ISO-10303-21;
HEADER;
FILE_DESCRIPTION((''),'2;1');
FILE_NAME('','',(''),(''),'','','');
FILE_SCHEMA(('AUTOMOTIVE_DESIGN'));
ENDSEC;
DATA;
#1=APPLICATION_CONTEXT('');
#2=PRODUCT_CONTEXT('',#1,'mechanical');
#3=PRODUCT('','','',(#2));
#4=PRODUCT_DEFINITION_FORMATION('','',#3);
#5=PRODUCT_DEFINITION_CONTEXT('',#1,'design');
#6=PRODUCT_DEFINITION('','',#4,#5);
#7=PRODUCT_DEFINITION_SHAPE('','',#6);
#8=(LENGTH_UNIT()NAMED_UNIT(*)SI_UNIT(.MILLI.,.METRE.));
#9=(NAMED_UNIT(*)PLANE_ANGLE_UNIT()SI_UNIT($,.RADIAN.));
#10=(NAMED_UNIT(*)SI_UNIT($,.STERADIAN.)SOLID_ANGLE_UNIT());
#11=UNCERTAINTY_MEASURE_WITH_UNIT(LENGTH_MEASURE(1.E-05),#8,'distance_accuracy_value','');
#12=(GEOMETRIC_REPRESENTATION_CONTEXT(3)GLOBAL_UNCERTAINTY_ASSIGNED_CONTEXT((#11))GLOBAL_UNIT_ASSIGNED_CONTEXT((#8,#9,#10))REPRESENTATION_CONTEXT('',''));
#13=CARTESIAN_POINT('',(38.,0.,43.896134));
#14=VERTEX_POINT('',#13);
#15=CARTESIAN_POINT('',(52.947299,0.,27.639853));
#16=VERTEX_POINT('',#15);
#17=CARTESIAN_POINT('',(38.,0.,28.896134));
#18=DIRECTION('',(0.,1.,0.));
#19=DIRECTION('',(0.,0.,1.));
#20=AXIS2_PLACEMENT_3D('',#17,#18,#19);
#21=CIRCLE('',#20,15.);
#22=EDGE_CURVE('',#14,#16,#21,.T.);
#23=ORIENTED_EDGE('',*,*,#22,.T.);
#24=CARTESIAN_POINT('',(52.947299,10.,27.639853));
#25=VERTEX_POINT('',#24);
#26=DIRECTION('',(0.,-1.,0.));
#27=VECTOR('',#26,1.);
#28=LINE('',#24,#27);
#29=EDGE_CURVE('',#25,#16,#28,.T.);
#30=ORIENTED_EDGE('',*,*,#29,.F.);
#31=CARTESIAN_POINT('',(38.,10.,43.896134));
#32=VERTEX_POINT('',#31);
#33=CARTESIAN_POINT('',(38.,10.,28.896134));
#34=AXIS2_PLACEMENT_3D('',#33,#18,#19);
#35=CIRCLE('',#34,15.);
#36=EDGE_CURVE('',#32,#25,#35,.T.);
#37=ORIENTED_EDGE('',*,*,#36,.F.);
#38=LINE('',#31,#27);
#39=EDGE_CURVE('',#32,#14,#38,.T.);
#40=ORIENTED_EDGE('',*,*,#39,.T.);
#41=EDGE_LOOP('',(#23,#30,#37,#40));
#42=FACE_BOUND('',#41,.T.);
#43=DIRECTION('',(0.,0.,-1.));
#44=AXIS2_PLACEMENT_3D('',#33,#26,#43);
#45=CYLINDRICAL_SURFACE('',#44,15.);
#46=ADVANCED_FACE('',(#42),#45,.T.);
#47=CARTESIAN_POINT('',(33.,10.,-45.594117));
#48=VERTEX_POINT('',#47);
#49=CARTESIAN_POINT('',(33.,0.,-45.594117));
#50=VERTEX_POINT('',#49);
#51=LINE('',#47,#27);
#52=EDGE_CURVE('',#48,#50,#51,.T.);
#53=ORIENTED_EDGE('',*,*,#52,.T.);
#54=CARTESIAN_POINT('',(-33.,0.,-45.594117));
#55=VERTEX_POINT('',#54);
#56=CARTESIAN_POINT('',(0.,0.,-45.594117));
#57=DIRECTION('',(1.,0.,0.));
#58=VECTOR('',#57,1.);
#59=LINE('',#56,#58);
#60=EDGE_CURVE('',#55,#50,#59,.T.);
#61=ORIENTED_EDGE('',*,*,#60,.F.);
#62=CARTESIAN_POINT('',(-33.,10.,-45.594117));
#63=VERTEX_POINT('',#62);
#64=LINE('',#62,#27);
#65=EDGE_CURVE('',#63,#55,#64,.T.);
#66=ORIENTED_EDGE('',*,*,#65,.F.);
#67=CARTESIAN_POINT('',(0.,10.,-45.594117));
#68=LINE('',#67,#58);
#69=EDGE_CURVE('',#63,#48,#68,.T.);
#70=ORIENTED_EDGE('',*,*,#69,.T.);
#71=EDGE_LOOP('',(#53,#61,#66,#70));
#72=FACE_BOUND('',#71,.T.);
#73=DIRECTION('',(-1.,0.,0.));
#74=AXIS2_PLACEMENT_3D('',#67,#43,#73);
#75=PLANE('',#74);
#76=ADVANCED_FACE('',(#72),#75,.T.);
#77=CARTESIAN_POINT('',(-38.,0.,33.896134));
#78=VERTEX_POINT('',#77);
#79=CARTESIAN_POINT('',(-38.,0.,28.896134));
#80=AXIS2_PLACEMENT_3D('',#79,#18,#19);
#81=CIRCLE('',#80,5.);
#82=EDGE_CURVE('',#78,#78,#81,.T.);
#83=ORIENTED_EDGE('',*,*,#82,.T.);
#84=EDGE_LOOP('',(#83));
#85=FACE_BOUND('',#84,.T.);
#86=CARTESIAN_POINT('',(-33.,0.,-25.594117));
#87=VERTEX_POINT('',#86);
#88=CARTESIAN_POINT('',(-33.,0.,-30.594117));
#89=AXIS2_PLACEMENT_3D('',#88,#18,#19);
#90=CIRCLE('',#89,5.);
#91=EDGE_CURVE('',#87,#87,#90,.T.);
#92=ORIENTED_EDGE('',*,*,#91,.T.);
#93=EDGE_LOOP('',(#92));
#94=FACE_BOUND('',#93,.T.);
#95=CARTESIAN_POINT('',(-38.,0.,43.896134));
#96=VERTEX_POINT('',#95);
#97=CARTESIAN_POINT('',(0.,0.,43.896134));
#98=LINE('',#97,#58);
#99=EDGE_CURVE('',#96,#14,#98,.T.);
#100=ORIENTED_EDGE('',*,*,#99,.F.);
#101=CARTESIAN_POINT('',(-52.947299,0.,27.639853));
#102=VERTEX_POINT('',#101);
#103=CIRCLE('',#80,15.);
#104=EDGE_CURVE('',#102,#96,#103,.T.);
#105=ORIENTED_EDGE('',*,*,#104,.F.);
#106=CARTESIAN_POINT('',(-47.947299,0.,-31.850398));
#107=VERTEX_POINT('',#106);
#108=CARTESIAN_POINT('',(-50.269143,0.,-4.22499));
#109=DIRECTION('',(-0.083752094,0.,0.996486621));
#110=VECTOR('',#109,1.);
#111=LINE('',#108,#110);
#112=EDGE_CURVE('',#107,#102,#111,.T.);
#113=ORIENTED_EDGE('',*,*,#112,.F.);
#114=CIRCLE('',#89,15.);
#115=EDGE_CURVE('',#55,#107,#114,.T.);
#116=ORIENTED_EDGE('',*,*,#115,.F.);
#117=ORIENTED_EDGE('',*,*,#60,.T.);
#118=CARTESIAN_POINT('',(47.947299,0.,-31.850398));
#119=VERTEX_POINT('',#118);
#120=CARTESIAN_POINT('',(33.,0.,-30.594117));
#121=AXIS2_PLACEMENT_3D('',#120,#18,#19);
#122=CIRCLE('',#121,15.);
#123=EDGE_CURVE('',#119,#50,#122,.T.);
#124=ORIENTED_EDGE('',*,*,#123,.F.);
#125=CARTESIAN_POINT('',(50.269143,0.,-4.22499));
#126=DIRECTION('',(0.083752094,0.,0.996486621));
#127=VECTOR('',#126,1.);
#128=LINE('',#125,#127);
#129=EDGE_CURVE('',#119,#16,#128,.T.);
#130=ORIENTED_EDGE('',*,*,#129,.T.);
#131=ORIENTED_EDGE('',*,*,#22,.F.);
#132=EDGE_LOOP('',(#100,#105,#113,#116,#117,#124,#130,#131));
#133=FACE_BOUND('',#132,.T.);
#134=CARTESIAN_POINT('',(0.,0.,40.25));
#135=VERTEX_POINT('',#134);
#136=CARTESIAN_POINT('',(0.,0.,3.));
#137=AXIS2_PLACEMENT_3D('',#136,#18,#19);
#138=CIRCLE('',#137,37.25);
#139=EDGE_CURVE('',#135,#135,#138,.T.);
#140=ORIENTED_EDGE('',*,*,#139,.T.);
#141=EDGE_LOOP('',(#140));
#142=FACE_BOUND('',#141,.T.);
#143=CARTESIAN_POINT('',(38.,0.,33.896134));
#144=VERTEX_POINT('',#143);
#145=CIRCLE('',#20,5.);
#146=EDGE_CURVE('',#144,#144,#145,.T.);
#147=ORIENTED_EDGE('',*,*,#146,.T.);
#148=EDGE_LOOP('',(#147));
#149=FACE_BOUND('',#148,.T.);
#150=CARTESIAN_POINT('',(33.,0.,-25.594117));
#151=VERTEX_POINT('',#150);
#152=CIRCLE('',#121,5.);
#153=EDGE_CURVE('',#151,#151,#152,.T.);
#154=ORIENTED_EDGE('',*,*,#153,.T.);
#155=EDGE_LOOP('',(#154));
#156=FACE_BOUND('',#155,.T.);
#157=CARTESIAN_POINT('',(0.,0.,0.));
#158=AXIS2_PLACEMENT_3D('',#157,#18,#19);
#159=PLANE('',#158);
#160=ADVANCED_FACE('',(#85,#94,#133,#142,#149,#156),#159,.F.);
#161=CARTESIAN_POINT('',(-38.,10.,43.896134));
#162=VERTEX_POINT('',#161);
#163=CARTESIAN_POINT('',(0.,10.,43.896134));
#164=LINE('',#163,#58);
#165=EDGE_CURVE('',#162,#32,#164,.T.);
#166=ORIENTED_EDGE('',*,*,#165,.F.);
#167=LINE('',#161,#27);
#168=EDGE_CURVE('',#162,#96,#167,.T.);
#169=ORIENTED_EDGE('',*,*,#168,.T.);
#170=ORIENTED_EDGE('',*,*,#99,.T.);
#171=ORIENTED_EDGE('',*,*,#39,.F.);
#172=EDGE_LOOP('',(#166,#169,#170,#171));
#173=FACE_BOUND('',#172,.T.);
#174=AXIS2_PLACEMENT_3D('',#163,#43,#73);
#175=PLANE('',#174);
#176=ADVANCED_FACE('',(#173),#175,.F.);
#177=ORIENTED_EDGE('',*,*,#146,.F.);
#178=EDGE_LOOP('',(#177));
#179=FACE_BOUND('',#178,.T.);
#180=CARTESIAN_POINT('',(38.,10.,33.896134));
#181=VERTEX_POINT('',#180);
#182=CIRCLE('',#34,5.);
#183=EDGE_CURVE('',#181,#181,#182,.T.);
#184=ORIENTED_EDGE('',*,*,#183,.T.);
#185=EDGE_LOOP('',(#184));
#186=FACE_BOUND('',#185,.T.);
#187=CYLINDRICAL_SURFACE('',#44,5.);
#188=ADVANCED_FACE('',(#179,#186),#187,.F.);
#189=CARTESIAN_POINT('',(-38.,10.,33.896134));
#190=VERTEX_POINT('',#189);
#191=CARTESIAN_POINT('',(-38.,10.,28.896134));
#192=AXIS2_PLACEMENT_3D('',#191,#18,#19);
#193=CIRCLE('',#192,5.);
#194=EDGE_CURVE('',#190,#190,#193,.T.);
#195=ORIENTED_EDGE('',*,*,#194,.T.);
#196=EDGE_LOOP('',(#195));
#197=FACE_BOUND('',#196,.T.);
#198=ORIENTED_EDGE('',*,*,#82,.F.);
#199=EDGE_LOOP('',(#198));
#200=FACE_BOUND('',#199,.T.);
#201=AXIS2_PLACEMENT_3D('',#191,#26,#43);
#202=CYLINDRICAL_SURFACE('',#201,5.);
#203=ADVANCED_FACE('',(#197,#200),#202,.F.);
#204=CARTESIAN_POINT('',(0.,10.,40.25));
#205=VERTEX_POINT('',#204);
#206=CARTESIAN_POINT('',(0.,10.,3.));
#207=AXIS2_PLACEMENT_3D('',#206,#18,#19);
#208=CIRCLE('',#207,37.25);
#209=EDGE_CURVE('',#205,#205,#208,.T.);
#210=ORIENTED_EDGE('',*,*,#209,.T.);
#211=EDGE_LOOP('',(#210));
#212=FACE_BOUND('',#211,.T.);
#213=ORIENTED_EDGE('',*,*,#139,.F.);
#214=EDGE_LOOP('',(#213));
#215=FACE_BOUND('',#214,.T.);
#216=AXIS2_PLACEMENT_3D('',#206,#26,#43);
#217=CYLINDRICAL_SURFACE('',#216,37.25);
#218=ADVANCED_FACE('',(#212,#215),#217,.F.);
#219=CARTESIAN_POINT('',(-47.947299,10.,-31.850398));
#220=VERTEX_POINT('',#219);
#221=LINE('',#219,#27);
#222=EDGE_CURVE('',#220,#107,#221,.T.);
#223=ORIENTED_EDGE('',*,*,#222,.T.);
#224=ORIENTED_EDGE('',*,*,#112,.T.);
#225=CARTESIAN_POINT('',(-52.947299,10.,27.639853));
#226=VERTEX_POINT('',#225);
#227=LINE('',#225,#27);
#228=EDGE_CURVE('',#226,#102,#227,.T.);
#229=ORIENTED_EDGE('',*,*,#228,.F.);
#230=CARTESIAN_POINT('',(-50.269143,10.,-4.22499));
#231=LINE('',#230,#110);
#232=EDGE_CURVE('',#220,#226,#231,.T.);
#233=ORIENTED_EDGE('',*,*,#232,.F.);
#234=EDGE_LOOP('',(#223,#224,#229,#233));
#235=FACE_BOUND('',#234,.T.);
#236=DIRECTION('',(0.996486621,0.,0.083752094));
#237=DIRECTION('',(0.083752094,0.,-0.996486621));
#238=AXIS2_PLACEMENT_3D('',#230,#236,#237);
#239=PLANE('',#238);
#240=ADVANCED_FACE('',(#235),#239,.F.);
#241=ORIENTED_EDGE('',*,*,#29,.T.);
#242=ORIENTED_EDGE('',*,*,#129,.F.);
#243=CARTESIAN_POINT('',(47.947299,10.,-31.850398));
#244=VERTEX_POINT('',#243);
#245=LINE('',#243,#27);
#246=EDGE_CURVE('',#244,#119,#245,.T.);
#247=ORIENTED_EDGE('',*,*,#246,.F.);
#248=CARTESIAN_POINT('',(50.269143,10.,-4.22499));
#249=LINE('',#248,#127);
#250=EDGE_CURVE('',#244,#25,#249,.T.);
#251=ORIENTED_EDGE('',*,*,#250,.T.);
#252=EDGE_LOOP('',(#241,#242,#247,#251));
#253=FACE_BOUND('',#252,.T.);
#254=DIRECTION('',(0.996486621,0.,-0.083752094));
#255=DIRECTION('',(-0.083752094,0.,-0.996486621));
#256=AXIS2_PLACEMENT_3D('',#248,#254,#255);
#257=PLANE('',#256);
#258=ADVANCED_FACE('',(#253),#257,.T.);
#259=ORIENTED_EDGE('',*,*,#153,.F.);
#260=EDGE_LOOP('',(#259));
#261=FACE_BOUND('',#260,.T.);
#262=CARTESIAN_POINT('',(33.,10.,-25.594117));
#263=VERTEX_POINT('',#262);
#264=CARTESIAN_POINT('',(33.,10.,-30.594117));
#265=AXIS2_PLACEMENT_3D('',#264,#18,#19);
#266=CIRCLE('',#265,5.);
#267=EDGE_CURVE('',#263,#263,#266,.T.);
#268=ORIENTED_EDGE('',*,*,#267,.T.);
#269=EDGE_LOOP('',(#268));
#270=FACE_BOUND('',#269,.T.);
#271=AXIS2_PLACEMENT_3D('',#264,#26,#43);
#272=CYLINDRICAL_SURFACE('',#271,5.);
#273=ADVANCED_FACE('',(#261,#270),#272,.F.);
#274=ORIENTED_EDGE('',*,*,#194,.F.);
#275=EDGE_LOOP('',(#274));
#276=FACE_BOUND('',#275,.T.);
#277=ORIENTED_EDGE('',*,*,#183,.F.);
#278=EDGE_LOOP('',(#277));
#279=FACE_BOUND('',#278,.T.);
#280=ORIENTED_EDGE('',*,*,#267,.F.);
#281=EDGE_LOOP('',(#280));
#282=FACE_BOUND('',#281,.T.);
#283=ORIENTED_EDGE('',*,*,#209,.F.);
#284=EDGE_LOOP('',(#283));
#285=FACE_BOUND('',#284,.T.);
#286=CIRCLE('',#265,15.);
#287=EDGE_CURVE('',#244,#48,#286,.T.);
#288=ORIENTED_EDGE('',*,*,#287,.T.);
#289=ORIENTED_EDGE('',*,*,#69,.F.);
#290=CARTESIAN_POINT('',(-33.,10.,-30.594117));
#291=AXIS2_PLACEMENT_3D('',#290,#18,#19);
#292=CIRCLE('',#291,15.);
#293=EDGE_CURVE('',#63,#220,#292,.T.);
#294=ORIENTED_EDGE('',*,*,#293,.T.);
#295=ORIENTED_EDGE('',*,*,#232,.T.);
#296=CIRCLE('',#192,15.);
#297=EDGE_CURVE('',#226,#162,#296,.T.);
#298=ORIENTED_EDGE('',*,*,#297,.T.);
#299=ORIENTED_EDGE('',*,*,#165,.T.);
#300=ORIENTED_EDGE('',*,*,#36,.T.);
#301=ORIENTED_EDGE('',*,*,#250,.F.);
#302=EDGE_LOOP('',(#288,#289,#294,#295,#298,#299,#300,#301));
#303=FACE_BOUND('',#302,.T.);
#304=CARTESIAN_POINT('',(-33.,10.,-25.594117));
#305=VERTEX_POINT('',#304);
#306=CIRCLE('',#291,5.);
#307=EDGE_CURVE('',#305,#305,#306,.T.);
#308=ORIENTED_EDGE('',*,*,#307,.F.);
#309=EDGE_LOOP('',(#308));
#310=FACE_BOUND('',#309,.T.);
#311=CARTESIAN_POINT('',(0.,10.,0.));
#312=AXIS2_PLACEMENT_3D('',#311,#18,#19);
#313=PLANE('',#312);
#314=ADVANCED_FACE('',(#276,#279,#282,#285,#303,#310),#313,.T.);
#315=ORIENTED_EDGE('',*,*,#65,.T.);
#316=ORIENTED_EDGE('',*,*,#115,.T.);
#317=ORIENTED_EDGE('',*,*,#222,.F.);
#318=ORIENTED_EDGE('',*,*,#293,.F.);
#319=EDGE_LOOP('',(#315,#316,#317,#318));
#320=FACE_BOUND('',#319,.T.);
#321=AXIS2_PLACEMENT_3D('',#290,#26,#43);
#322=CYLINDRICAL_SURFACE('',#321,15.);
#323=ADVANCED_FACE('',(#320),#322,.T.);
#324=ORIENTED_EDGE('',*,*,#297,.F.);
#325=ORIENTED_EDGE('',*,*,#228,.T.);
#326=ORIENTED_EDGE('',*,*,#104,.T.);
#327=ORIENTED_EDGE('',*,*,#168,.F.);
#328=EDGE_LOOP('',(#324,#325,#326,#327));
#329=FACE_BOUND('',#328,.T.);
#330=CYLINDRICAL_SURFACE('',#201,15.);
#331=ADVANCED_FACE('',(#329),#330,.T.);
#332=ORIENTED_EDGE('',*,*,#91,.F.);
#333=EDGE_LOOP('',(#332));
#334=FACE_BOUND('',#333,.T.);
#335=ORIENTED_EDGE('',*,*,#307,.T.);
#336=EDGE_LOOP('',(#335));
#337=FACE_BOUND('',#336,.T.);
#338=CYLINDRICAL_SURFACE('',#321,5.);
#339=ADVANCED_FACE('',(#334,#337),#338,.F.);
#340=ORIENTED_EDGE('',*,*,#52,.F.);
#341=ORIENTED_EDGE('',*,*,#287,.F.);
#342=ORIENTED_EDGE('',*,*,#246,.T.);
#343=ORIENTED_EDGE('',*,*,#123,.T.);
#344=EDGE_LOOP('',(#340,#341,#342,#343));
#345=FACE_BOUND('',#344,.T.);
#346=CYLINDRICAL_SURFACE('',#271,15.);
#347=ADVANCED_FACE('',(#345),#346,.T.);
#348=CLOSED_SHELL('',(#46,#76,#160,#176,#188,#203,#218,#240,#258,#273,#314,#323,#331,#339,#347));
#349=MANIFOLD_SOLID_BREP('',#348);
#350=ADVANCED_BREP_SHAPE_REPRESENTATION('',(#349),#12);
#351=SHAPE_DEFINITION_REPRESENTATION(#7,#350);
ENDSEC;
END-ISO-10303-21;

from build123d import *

# Parameters (mm, degrees)
SKETCH1_R           = 5
SKETCH1_R_2         = 37.25
BOSS_EXTRUDE1_DEPTH = 10


with BuildPart() as part:
    # Sketch1 → Boss-Extrude1 (new body)
    with BuildSketch(Plane(origin=(0, 0, 0), x_dir=(1, 0, 0), z_dir=(0, 1, 0))):
        with BuildLine():
            Line((-47.947299322, 31.850398489), (-52.947299322, -27.639852814))
            ThreePointArc((-52.947299322, -27.639852814), (-49.041834565, -39.048862398), (-38, -43.896134221))
            Line((-38, -43.896134221), (38, -43.896134221))
            ThreePointArc((38, -43.896134221), (49.041834565, -39.048862398), (52.947299322, -27.639852814))
            Line((52.947299322, -27.639852814), (47.947299322, 31.850398489))
            ThreePointArc((47.947299322, 31.850398489), (43.152728178, 41.635951646), (33, 45.594117082))
            Line((33, 45.594117082), (-33, 45.594117082))
            ThreePointArc((-33, 45.594117082), (-43.152728178, 41.635951646), (-47.947299322, 31.850398489))
        make_face()
        with Locations(Location((-33, 30.594117082, 0), (0, 0, 270))):
            Circle(SKETCH1_R, mode=Mode.SUBTRACT)
        with Locations(Location((33, 30.594117082, 0), (0, 0, 270))):
            Circle(SKETCH1_R, mode=Mode.SUBTRACT)
        with Locations(Location((38, -28.896134221, 0), (0, 0, 270))):
            Circle(SKETCH1_R, mode=Mode.SUBTRACT)
        with Locations(Location((-38, -28.896134221, 0), (0, 0, 270))):
            Circle(SKETCH1_R, mode=Mode.SUBTRACT)
        with Locations(Location((0, -3, 0), (0, 0, 270))):
            Circle(SKETCH1_R_2, mode=Mode.SUBTRACT)
    extrude(amount=BOSS_EXTRUDE1_DEPTH)


solid = part.part
